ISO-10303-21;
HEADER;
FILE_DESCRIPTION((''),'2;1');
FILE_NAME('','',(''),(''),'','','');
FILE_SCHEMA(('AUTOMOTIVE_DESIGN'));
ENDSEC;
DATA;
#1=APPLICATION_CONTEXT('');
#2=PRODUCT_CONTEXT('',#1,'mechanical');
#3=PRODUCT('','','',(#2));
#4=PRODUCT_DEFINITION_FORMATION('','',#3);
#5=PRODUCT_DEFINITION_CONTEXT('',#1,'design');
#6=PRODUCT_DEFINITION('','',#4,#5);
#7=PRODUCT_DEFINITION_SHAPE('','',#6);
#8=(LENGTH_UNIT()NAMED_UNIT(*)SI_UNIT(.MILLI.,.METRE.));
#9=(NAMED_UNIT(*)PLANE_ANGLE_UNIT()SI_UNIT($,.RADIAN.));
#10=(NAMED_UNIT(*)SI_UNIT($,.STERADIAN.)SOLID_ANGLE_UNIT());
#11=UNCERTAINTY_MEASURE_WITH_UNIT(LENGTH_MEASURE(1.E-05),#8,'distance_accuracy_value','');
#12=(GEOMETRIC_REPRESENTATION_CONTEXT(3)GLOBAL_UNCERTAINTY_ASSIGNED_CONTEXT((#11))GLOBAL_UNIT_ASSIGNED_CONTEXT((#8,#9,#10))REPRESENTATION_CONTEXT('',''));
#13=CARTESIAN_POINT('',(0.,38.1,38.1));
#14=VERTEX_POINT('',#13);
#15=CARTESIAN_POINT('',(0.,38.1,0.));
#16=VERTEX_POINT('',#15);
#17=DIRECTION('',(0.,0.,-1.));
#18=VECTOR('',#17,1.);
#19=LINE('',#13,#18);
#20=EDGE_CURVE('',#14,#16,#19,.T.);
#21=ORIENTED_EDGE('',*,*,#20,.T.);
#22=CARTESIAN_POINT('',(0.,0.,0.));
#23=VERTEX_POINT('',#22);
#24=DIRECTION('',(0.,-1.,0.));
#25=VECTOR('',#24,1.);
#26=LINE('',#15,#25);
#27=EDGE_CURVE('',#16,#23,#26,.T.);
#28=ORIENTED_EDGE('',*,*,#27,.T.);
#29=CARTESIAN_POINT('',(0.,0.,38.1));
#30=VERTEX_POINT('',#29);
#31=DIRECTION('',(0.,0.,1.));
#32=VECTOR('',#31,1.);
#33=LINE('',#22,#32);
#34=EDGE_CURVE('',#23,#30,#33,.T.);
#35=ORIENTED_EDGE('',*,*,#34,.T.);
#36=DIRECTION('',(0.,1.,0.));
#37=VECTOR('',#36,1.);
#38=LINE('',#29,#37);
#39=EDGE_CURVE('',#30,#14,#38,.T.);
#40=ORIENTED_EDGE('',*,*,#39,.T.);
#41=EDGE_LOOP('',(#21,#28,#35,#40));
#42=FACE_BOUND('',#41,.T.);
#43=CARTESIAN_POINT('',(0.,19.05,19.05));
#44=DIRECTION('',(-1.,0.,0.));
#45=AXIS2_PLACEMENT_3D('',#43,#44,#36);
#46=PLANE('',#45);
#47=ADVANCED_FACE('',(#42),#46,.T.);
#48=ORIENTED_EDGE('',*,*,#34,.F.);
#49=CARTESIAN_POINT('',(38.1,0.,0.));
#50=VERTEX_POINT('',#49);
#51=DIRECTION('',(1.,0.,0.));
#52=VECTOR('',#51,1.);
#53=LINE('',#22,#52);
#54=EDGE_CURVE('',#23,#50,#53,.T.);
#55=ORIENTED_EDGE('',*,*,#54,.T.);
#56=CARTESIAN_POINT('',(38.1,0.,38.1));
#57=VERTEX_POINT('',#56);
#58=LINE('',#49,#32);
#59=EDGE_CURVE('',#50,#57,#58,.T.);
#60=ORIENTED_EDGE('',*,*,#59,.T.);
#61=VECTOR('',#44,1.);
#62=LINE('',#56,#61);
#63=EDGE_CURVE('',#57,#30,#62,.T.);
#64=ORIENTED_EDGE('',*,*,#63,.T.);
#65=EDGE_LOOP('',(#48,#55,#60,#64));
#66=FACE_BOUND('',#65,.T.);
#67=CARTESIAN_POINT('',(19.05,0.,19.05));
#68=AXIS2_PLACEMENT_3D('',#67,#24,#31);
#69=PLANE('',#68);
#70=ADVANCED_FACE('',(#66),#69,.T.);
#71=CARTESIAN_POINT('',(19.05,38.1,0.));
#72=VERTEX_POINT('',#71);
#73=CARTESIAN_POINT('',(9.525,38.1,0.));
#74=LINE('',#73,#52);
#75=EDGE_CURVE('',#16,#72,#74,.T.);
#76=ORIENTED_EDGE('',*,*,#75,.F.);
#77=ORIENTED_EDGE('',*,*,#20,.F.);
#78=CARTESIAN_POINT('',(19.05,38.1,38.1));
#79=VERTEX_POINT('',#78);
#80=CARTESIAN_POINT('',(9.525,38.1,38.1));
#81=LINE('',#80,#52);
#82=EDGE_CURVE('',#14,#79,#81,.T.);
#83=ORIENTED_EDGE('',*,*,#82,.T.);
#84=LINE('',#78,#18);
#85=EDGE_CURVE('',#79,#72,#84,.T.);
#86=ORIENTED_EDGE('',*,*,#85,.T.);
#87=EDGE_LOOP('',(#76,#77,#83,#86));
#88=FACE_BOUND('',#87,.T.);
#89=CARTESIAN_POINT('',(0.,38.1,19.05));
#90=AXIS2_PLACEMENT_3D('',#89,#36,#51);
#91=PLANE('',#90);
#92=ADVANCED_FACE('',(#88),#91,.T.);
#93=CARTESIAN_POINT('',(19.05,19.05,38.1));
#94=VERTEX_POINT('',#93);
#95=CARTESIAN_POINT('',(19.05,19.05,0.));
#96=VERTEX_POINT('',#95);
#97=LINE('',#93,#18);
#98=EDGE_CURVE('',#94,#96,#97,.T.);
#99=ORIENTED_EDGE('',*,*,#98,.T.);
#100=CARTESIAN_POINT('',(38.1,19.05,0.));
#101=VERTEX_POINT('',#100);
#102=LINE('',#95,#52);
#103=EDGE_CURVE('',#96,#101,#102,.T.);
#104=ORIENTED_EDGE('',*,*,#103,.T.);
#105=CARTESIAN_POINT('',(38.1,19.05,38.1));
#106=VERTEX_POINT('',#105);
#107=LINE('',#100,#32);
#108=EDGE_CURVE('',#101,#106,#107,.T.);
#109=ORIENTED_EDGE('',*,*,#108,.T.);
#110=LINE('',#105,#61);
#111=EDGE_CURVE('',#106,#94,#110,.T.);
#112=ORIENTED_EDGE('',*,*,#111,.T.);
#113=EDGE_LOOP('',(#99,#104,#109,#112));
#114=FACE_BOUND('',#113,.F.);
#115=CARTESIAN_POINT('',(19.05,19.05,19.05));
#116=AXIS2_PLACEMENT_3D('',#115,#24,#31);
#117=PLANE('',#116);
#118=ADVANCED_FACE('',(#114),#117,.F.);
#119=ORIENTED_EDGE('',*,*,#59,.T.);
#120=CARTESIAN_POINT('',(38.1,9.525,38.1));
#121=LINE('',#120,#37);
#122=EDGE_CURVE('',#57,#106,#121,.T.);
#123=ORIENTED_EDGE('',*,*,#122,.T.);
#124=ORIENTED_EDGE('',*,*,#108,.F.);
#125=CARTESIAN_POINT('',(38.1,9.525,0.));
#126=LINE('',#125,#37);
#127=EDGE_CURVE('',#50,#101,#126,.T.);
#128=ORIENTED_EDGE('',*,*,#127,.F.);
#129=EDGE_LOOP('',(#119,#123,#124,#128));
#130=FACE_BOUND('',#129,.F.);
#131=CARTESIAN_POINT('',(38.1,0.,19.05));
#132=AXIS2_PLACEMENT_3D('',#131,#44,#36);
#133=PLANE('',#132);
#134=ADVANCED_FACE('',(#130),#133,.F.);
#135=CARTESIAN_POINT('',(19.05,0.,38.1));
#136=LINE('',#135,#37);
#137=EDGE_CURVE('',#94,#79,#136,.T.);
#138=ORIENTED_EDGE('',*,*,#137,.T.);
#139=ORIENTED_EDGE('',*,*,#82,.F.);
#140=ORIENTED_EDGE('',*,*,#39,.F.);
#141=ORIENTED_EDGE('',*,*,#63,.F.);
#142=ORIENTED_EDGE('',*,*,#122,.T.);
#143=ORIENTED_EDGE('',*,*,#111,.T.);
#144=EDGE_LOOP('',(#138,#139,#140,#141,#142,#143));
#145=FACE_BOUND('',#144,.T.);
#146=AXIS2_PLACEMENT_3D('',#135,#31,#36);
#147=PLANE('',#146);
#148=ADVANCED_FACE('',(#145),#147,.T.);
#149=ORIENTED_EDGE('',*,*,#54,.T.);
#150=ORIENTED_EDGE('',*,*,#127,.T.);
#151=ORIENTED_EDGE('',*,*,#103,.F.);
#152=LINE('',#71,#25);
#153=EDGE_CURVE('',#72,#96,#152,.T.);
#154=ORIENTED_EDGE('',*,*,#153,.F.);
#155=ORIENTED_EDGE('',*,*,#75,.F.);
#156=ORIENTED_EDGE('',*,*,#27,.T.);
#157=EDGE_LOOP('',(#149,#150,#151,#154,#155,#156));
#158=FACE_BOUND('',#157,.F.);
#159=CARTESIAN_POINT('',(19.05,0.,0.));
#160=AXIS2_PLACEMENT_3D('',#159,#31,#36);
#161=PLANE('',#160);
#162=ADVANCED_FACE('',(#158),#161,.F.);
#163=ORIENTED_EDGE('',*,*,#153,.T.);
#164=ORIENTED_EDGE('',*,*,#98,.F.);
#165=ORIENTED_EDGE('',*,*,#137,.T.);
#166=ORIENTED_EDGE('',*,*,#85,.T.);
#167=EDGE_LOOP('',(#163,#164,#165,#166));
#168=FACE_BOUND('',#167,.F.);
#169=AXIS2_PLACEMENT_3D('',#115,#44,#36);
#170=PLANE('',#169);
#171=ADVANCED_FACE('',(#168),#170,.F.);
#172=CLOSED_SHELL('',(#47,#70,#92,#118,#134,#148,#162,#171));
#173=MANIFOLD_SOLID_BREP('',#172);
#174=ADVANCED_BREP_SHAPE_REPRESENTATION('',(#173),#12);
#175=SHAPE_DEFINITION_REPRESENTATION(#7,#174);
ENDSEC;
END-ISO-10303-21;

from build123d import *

# Parameters (mm, degrees)
F0_W     = 19.05
F0_H     = 19.05
F1_DEPTH = 19.05
F2_DEPTH = 19.05
F4_W     = 19.05
F4_H     = 19.05
F5_DEPTH = 19.05
F3_W     = 19.05
F3_H     = 19.05
F6_DEPTH = 19.05
F7_DEPTH = 19.05
F8_DEPTH = 19.05


with BuildPart() as f1:
    # F0 (on Top) → F1 (new body)
    with BuildSketch(Plane.XY):
        with Locations((9.525, 9.525)):
            Rectangle(F0_W, F0_H)
    extrude(amount=F1_DEPTH)

    # F2 (add): a face of the model
    f2_faces = [f1.faces().sort_by_distance(p)[0] for p in [
        (9.525, 19.05, 9.525),
    ]]
    extrude(f2_faces, amount=F2_DEPTH)

    # F4 (on face) → F5 (join)
    with BuildSketch(Plane.YZ.offset(19.05)):
        with Locations((9.525, 9.525)):
            Rectangle(F4_W, F4_H)
    extrude(amount=F5_DEPTH)

    # F3 (on face) → F6 (join)
    with BuildSketch(Plane.XY.offset(19.05)):
        with Locations((9.525, 9.525)):
            Rectangle(F3_W, F3_H)
    extrude(amount=F6_DEPTH)

    # F7 (add): a face of the model
    f7_faces = [f1.faces().sort_by_distance(p)[0] for p in [
        (19.05, 9.525, 28.575),
    ]]
    extrude(f7_faces, amount=F7_DEPTH)

    # F8 (add): a face of the model
    f8_faces = [f1.faces().sort_by_distance(p)[0] for p in [
        (9.525, 28.575, 19.05),
    ]]
    extrude(f8_faces, amount=F8_DEPTH)


solid = f1.part
